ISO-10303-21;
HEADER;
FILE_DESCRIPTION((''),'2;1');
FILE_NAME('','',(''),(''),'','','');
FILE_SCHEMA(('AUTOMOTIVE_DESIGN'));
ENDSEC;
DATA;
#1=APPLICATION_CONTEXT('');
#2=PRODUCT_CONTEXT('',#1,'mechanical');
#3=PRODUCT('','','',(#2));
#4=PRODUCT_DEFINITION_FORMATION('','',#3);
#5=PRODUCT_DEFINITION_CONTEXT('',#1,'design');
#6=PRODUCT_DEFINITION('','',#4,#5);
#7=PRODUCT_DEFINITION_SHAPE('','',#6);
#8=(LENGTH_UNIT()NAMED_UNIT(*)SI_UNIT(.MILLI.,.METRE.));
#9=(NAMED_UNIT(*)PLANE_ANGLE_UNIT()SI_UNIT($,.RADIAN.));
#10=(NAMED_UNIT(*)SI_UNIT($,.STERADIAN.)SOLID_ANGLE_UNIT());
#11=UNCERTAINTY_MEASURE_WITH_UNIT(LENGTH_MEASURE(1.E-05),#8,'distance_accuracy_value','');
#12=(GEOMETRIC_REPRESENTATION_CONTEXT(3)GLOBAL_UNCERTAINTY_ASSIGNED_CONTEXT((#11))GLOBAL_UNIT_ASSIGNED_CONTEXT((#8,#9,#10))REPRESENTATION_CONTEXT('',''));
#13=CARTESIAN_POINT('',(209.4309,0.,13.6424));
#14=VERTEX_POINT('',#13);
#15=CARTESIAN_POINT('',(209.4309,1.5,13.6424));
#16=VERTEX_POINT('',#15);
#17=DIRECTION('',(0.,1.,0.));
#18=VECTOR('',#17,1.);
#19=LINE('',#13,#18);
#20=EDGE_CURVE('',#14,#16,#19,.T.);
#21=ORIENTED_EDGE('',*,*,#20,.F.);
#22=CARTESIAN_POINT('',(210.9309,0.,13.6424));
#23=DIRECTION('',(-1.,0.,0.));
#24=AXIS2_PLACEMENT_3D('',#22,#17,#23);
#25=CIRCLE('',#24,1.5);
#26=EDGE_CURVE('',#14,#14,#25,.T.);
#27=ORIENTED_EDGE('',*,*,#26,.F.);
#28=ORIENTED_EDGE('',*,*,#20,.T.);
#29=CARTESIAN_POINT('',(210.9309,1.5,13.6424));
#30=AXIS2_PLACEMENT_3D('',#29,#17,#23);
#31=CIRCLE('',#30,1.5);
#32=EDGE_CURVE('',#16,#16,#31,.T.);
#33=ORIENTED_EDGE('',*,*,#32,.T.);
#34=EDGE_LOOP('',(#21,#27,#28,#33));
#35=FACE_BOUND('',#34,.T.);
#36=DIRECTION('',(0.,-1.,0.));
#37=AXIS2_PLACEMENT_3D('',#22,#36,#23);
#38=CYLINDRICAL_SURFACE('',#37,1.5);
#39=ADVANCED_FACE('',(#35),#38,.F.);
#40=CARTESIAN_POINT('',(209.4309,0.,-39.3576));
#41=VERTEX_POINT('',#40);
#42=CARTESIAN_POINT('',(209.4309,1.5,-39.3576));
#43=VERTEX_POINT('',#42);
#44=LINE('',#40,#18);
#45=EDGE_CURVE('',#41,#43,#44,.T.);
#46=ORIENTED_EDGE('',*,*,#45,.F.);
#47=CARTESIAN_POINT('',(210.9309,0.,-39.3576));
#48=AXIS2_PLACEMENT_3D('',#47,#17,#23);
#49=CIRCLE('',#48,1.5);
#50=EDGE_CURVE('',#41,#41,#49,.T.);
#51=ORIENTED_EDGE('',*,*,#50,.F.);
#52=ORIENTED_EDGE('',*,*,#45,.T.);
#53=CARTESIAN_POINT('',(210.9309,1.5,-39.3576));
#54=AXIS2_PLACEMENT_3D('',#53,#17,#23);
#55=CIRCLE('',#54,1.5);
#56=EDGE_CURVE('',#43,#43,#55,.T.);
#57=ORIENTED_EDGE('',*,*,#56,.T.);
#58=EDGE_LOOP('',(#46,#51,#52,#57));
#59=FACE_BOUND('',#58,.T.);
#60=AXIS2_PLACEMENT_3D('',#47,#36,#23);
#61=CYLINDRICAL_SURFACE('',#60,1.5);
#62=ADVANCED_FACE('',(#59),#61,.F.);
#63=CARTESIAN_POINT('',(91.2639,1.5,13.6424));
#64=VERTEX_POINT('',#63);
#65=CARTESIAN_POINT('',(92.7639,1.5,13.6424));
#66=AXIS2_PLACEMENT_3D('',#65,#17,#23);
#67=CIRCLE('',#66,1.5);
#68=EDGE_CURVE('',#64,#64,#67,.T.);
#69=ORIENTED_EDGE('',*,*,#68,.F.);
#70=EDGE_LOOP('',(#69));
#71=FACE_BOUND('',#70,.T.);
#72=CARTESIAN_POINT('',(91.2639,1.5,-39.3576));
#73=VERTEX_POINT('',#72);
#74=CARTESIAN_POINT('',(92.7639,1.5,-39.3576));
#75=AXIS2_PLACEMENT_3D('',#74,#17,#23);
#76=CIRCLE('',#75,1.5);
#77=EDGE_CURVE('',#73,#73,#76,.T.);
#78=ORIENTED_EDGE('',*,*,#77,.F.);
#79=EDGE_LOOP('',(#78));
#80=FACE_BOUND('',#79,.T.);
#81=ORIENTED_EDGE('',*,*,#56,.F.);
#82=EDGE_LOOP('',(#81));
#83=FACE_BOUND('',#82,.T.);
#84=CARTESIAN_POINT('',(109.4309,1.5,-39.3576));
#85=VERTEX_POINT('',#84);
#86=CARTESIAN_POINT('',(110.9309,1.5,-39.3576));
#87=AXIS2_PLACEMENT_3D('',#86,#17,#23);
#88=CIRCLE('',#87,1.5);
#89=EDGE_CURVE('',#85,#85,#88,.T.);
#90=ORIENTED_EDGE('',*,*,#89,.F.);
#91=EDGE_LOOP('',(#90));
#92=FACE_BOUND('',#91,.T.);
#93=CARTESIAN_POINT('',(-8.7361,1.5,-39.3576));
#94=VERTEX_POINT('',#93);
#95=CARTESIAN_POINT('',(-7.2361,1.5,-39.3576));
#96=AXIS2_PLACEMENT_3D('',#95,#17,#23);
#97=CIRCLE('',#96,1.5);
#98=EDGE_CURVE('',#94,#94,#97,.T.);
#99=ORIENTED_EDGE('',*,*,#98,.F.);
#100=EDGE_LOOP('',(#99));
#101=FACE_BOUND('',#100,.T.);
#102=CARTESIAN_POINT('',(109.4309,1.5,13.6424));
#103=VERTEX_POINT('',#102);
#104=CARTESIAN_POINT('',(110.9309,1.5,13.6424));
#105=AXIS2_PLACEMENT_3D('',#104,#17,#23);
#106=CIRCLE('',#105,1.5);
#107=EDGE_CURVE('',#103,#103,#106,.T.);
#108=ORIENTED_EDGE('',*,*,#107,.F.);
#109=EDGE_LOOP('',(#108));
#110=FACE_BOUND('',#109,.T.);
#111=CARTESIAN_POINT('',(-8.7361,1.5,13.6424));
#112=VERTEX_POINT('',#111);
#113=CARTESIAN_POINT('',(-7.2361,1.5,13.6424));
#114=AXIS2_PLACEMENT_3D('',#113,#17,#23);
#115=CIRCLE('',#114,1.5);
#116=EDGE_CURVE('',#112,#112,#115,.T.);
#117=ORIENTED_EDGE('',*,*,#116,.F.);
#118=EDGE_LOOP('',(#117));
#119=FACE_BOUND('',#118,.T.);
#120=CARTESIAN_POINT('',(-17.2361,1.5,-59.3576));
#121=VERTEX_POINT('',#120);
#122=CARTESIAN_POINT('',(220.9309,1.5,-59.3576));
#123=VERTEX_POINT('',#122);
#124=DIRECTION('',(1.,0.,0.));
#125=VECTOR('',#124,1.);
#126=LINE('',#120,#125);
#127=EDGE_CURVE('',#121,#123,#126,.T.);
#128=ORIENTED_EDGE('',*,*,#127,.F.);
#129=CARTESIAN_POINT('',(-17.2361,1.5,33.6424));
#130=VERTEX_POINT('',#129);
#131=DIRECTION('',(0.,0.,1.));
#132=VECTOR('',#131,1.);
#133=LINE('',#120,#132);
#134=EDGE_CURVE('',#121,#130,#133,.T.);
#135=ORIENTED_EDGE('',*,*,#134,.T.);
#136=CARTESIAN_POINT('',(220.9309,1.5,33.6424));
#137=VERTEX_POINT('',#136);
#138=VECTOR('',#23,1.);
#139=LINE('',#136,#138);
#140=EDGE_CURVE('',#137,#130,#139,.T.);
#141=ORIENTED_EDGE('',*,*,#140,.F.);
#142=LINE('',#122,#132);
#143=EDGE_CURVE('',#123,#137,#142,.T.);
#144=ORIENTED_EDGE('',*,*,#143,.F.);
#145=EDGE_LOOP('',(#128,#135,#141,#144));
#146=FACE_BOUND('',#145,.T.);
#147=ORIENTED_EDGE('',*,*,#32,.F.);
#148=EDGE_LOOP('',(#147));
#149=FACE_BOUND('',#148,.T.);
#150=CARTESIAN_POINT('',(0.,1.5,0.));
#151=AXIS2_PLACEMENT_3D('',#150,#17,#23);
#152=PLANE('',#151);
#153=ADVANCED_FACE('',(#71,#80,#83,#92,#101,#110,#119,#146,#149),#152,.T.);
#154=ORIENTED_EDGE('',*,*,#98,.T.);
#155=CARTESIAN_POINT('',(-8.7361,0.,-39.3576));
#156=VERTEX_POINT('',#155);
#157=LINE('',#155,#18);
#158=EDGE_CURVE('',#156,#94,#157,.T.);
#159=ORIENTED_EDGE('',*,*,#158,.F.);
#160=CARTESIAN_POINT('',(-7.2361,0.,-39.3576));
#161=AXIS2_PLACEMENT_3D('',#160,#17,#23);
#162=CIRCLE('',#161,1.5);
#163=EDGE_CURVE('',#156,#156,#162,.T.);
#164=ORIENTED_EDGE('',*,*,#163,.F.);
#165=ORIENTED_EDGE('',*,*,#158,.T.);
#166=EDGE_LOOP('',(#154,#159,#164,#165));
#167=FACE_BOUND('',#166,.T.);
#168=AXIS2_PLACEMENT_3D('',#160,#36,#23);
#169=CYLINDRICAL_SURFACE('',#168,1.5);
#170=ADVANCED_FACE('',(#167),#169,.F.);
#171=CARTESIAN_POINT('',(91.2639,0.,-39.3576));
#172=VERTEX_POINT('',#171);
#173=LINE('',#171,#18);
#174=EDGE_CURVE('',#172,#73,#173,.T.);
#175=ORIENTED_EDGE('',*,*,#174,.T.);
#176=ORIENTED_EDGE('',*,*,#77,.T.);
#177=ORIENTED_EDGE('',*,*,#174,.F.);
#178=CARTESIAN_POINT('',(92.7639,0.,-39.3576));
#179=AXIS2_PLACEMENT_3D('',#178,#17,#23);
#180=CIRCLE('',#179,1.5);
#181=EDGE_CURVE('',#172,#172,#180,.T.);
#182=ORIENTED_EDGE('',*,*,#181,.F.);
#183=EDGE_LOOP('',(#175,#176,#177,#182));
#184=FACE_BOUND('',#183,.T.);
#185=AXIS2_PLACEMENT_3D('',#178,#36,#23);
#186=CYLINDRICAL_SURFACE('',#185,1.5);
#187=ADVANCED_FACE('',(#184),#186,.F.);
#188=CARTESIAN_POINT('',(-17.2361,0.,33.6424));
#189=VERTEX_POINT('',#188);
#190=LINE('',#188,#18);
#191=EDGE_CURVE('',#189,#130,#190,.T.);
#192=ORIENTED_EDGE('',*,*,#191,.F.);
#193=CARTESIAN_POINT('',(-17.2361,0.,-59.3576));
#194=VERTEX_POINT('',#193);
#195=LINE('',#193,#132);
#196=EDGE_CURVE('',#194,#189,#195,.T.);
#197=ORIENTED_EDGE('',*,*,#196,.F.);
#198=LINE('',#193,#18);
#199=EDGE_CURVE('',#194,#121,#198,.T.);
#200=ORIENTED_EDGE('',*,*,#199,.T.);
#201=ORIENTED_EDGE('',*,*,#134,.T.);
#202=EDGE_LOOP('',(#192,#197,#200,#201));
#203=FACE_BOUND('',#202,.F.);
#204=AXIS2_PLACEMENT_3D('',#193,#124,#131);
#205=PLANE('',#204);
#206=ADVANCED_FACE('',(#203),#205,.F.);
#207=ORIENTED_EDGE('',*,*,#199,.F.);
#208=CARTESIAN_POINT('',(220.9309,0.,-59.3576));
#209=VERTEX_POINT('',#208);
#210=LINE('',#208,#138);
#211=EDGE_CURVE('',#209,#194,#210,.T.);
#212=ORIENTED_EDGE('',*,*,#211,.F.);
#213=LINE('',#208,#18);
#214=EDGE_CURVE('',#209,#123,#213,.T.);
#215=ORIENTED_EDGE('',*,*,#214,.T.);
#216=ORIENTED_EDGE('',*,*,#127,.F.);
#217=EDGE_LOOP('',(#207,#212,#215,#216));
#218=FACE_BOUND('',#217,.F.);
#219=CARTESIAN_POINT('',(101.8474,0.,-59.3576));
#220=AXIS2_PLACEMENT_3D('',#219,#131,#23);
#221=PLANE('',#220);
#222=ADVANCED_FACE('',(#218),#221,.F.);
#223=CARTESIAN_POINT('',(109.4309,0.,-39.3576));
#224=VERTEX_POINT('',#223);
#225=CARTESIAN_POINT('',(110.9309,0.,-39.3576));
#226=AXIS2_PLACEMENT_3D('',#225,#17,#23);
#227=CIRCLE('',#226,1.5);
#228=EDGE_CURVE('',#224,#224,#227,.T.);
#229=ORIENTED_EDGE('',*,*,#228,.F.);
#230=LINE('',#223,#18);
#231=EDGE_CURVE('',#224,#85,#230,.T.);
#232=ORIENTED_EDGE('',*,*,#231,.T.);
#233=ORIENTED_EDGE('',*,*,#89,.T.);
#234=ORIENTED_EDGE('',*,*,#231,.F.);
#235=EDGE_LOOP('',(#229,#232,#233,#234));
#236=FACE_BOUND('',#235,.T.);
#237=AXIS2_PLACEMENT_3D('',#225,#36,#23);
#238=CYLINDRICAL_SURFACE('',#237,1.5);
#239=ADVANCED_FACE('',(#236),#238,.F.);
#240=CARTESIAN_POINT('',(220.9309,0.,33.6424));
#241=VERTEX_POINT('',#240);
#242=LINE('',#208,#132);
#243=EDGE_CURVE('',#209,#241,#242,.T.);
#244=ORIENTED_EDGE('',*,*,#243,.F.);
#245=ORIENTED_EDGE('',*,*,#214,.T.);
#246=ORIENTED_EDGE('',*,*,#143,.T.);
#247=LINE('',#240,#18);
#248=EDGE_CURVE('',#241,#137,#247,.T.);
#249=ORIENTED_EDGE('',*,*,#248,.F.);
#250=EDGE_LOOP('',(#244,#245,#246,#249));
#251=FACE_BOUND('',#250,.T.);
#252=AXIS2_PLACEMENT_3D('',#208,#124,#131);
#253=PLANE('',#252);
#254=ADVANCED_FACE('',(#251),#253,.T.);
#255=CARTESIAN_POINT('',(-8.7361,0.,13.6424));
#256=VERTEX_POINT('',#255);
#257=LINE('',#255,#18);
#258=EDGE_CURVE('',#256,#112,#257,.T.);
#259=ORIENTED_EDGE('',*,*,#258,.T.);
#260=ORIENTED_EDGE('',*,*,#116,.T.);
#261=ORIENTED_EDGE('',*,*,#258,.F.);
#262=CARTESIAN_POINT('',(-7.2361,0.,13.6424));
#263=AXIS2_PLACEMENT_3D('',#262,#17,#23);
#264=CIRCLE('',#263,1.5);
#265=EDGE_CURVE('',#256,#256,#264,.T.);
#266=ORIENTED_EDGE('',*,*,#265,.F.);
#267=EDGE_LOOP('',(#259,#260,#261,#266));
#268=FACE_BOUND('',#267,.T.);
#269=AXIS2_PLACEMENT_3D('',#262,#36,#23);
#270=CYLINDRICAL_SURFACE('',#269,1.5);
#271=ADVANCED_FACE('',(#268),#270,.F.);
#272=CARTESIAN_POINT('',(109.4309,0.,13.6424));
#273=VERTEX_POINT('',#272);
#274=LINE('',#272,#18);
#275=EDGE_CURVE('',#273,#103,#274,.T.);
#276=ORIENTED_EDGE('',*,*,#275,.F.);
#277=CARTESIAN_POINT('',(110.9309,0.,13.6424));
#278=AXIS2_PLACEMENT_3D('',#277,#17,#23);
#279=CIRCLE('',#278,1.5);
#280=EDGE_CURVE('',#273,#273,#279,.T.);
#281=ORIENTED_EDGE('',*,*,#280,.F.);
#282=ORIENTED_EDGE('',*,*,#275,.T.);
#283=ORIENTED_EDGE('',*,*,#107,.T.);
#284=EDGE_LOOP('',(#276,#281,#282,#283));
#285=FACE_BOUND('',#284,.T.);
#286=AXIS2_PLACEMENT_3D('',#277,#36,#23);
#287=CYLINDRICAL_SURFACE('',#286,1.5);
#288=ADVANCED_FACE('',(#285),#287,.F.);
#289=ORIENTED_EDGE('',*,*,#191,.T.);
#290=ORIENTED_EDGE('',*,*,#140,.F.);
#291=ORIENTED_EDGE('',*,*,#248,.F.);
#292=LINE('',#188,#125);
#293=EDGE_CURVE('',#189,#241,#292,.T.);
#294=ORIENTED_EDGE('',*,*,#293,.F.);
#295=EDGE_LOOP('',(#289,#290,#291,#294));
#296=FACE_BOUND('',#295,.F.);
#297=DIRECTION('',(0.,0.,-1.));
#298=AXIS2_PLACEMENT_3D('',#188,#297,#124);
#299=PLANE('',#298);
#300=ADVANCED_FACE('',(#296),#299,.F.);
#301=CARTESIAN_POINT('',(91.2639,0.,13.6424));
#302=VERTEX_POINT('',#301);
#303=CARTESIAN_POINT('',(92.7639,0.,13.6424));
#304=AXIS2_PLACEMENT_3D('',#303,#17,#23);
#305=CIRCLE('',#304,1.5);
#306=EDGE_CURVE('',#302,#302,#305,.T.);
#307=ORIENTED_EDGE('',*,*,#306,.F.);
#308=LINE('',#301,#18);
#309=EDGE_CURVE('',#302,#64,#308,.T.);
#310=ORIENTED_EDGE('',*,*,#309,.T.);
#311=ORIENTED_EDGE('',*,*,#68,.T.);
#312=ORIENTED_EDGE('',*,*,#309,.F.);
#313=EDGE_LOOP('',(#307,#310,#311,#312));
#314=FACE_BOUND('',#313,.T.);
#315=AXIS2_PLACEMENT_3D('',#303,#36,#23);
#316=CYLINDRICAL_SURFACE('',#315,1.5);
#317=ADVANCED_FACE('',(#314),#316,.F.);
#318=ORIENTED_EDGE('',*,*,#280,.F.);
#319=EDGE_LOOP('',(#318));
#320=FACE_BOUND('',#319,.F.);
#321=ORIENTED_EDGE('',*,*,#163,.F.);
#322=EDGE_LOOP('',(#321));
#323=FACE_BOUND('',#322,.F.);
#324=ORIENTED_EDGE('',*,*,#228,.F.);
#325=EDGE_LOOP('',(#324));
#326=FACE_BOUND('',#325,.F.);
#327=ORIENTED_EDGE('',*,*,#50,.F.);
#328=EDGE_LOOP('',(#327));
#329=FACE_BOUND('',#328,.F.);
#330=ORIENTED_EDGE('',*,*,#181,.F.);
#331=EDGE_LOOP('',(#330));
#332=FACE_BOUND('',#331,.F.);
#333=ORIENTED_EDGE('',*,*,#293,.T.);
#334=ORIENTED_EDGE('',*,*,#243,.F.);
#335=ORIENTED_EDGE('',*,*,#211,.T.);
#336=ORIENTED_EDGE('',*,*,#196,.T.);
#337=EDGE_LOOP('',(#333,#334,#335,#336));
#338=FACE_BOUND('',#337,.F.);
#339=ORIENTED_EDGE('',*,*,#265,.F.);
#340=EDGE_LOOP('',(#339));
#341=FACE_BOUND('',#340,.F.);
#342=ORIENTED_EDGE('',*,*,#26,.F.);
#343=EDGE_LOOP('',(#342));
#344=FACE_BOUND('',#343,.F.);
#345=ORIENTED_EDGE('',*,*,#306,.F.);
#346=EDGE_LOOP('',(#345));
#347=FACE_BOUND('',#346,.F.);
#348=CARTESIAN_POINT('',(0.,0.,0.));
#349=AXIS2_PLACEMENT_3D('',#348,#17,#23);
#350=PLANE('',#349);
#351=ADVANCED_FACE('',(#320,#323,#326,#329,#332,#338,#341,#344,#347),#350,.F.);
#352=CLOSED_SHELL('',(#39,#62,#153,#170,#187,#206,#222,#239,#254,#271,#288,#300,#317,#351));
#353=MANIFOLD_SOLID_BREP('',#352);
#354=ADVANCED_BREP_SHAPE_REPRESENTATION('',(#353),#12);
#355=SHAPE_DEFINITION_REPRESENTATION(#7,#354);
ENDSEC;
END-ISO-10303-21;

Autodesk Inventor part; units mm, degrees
ref_plane "YZ Plane" through (0, 0, 0) normal (1, 0, 0) x (0, 1, 0)
ref_plane "XZ Plane" through (0, 0, 0) normal (0, 1, 0) x (-1, 0, 0)
ref_plane "XY Plane" through (0, 0, 0) normal (0, 0, 1) x (1, 0, 0)
sketch "Sketch1" plane through (0, 0, 0) normal (0, 1, 0) x (-1, 0, 0)
  circle A0 centre (7.2361, 13.6424) radius 1.5
  line L0 (0, 1.6974) -> (0, -1.2933)
  line L1 (1.3539, 0) -> (-1.1645, 0)
  circle A1 centre (7.2361, -39.3576) radius 1.5
  circle A2 centre (-92.7639, 13.6424) radius 1.5
  circle A3 centre (-92.7639, -39.3576) radius 1.5
  line L2 (17.2361, 33.6424) -> (-101.8474, 33.6424)
  line L3 (-101.8474, 33.6424) -> (-101.8474, -59.3576)
  line L4 (-101.8474, -59.3576) -> (17.2361, -59.3576)
  line L5 (17.2361, -59.3576) -> (17.2361, 33.6424)
  circle A4 centre (-210.9309, 13.6424) radius 1.5
  circle A5 centre (-210.9309, -39.3576) radius 1.5
  circle A6 centre (-110.9309, 13.6424) radius 1.5
  circle A7 centre (-110.9309, -39.3576) radius 1.5
  line L6 (-220.9309, 33.6424) -> (-101.8474, 33.6424)
  line L7 (-101.8474, -59.3576) -> (-220.9309, -59.3576)
  line L8 (-220.9309, -59.3576) -> (-220.9309, 33.6424)
  point P0 (0, 0)
  dimension "d2" = 3
  dimension "d14" = 53
  dimension "d24" = 100
  dimension "d39" = 20
  dimension "d46" = 20
  dimension "d53" = 10
  dimension "TavolsagAKetNyakKozott" = 18.167
extrude "Extrusion1" add sketch "Sketch1" along normal blind 1.5
ref_plane "Work Plane1" through (101.8474, 0, 33.6424) normal (1, 0, 0) x (0, 0, -1)
equation "\"d2\" = JukakANyakon"
equation "\"d14\" = JukakKoztiTavolsagSzeleseg"
equation "\"d24\" = JukaKoztiTavolsagHoszusag"
equation "\"JukakANyakon\" = 3"
equation "\"JukakKoztiTavolsagSzeleseg\" = 53"
equation "\"JukaKoztiTavolsagHoszusag\" = 100"
properties part number "AlsoLemezVizhutes" material "Steel, Alloy"
